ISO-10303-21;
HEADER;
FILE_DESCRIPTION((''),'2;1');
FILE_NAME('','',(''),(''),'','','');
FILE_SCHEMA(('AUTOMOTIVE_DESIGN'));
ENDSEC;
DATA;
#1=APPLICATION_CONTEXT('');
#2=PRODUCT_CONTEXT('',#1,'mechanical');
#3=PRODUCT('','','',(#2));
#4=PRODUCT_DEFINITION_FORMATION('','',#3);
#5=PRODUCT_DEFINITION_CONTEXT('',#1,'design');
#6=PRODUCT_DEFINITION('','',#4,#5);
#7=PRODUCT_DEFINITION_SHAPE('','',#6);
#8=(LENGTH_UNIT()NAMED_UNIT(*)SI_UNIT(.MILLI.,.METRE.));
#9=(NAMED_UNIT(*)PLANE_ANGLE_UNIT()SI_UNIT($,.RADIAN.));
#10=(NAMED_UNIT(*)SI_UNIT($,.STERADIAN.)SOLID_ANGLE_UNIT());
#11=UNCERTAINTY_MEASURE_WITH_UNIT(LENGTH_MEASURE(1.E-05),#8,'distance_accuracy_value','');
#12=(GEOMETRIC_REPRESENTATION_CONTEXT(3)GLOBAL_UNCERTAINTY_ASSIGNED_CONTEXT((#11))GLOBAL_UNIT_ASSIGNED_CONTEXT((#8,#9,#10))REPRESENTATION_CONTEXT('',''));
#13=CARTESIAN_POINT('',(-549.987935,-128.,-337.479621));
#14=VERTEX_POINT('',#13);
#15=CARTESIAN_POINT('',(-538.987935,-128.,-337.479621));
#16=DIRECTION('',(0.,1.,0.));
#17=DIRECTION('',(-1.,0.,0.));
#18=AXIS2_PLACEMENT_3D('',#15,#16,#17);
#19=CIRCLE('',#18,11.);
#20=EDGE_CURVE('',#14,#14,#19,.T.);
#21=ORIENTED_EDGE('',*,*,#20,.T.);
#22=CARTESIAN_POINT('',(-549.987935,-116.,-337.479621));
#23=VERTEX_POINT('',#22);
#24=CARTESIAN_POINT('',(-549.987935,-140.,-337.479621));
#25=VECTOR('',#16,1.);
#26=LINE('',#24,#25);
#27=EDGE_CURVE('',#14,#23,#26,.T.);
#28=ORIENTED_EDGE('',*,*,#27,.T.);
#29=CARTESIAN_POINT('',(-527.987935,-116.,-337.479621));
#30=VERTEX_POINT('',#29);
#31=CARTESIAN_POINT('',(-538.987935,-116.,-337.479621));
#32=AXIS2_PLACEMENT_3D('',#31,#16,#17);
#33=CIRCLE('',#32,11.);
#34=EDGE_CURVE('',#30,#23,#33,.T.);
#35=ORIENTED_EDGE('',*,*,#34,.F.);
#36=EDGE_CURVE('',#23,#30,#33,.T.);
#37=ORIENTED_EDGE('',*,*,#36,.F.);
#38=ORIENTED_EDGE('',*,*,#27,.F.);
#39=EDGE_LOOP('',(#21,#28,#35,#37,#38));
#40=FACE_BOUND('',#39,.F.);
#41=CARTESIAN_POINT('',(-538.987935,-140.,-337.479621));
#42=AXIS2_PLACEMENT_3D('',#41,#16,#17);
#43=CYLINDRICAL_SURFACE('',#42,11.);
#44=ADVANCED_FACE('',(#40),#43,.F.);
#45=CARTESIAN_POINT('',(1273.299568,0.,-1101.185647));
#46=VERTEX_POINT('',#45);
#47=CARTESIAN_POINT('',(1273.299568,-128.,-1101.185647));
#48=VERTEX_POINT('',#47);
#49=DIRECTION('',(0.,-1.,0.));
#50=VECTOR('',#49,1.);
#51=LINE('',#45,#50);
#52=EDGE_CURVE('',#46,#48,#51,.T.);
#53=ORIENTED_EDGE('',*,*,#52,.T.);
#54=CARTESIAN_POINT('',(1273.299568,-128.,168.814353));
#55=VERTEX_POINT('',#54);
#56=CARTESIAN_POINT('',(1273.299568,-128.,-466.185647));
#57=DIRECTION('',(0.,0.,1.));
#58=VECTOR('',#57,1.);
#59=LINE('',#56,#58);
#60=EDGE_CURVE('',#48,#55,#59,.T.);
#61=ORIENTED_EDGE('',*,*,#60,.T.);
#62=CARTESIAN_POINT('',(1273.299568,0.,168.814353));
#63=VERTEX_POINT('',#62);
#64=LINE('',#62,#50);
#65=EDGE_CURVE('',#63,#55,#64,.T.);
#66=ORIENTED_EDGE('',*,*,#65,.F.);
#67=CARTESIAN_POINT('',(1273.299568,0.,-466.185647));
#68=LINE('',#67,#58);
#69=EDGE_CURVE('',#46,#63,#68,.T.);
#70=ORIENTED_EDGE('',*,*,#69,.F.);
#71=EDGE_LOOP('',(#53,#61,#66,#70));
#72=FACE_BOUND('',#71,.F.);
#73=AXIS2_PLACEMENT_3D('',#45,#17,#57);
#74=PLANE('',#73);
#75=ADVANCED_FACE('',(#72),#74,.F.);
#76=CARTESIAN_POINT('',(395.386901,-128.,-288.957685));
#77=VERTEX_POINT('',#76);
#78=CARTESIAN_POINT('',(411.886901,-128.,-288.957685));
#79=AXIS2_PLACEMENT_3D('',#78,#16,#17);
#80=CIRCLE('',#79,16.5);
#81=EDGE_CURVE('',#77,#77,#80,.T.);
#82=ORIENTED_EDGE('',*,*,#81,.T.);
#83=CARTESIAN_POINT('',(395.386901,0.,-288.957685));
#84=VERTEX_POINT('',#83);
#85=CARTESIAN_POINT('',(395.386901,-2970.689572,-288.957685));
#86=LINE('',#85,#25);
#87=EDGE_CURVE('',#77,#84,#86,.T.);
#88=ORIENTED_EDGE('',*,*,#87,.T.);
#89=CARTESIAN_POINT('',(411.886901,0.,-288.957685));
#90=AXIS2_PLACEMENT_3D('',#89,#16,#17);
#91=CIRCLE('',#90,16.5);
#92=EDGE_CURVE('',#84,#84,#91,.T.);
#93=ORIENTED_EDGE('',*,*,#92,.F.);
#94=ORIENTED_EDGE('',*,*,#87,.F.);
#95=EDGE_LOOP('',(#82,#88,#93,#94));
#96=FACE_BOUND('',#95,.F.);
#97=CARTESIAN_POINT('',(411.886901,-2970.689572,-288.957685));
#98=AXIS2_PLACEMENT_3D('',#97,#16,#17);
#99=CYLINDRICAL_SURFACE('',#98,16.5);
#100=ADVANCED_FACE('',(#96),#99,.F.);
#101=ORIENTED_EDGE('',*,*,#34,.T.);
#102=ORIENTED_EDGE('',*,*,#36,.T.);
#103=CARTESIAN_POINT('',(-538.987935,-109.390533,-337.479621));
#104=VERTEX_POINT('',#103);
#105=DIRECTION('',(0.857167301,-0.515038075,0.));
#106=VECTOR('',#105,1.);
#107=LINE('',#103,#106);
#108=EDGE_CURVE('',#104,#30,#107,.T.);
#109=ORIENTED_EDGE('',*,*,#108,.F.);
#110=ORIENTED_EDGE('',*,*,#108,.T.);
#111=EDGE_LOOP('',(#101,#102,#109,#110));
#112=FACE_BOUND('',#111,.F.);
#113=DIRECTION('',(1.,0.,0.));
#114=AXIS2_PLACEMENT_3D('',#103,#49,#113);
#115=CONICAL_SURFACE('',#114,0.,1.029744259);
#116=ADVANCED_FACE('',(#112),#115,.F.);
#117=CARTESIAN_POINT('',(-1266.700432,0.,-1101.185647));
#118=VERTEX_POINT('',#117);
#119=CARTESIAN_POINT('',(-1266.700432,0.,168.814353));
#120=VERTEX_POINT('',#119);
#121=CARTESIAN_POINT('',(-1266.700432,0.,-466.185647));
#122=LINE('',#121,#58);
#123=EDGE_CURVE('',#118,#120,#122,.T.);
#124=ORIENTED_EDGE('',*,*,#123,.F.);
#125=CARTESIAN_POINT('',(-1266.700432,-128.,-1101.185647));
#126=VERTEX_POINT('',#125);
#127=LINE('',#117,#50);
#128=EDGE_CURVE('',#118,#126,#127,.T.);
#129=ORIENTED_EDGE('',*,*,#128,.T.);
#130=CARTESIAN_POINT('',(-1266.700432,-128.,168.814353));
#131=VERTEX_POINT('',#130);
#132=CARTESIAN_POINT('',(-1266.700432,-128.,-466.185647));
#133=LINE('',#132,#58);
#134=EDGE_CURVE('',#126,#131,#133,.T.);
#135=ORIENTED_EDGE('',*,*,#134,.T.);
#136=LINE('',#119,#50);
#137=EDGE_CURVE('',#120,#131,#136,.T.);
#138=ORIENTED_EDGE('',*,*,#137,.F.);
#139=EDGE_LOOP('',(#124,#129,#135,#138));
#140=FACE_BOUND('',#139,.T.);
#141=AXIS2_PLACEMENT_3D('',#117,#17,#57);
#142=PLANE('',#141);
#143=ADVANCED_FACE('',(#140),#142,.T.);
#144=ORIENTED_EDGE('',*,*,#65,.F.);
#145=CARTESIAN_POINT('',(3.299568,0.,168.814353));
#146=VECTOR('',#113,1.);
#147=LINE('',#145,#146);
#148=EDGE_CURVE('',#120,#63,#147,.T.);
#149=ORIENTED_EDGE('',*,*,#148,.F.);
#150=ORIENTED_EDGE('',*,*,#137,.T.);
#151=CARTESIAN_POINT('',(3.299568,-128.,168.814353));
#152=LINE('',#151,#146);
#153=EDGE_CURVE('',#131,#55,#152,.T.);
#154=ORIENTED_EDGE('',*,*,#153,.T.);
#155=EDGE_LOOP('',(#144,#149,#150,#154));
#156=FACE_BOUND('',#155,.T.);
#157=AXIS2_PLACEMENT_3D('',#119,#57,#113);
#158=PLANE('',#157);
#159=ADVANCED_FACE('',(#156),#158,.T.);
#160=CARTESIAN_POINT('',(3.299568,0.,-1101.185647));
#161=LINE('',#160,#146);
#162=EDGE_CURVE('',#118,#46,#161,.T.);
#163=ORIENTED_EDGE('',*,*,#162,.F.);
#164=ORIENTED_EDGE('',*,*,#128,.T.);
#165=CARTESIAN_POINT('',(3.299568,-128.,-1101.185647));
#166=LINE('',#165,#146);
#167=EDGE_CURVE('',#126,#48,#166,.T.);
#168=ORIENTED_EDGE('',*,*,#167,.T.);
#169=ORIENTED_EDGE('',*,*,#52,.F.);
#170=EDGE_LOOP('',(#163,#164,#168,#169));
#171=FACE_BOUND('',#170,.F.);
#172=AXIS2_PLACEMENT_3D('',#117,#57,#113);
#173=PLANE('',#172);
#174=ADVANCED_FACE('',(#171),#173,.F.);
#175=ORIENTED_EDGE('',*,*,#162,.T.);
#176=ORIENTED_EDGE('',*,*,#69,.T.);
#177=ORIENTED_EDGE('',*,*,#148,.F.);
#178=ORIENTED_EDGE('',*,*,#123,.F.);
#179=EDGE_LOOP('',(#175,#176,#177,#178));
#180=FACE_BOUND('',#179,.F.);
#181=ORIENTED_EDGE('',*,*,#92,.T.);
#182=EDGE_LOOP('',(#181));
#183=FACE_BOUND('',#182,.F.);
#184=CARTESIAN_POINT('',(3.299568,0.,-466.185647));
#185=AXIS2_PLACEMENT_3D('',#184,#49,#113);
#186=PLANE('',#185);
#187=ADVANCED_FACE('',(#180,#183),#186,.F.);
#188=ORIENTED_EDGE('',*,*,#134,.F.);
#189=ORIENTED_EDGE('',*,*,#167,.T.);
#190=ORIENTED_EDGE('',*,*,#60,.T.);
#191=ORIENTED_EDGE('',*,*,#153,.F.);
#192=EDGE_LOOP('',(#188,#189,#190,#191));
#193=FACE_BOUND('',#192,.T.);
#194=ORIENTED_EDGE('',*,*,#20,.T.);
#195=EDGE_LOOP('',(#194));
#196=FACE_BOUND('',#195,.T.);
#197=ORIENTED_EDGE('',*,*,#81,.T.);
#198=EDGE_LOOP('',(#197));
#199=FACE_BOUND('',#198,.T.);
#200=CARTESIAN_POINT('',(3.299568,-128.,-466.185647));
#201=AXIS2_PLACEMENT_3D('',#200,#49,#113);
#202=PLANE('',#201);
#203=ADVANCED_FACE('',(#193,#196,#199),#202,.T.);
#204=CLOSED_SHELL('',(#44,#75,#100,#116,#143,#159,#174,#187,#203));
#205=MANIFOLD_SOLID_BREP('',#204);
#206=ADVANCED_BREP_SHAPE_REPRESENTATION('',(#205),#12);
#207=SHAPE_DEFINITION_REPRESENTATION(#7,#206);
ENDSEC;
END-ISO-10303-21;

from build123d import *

# Parameters (mm, degrees)
F0_W     = 2540
F0_H     = 1270
F1_DEPTH = 128
F3_D     = 22
F3_DEPTH = 12
F3_TIP   = 6.6094668093
F5_D     = 33


with BuildPart() as f1:
    # F0 (on Front) → F1 (new body)
    with BuildSketch(Plane.XZ):
        with Locations((3.2995678484, -466.1856472778)):
            Rectangle(F0_W, F0_H)
    extrude(amount=F1_DEPTH)

    # F3
    with Locations(Plane.XZ.offset(128)):
        with Locations((-538.9879345894, -337.479621172)):
            Hole(F3_D / 2, depth=F3_DEPTH)
            with Locations((0, 0, -(F3_DEPTH + F3_TIP / 2))):  # 118° drill point
                Cone(0, F3_D / 2, F3_TIP, mode=Mode.SUBTRACT)

    # F5 (through all)
    with Locations(Plane.XZ.offset(128)):
        with Locations((411.8869006634, -288.9576852322)):
            Hole(F5_D / 2)


solid = f1.part
